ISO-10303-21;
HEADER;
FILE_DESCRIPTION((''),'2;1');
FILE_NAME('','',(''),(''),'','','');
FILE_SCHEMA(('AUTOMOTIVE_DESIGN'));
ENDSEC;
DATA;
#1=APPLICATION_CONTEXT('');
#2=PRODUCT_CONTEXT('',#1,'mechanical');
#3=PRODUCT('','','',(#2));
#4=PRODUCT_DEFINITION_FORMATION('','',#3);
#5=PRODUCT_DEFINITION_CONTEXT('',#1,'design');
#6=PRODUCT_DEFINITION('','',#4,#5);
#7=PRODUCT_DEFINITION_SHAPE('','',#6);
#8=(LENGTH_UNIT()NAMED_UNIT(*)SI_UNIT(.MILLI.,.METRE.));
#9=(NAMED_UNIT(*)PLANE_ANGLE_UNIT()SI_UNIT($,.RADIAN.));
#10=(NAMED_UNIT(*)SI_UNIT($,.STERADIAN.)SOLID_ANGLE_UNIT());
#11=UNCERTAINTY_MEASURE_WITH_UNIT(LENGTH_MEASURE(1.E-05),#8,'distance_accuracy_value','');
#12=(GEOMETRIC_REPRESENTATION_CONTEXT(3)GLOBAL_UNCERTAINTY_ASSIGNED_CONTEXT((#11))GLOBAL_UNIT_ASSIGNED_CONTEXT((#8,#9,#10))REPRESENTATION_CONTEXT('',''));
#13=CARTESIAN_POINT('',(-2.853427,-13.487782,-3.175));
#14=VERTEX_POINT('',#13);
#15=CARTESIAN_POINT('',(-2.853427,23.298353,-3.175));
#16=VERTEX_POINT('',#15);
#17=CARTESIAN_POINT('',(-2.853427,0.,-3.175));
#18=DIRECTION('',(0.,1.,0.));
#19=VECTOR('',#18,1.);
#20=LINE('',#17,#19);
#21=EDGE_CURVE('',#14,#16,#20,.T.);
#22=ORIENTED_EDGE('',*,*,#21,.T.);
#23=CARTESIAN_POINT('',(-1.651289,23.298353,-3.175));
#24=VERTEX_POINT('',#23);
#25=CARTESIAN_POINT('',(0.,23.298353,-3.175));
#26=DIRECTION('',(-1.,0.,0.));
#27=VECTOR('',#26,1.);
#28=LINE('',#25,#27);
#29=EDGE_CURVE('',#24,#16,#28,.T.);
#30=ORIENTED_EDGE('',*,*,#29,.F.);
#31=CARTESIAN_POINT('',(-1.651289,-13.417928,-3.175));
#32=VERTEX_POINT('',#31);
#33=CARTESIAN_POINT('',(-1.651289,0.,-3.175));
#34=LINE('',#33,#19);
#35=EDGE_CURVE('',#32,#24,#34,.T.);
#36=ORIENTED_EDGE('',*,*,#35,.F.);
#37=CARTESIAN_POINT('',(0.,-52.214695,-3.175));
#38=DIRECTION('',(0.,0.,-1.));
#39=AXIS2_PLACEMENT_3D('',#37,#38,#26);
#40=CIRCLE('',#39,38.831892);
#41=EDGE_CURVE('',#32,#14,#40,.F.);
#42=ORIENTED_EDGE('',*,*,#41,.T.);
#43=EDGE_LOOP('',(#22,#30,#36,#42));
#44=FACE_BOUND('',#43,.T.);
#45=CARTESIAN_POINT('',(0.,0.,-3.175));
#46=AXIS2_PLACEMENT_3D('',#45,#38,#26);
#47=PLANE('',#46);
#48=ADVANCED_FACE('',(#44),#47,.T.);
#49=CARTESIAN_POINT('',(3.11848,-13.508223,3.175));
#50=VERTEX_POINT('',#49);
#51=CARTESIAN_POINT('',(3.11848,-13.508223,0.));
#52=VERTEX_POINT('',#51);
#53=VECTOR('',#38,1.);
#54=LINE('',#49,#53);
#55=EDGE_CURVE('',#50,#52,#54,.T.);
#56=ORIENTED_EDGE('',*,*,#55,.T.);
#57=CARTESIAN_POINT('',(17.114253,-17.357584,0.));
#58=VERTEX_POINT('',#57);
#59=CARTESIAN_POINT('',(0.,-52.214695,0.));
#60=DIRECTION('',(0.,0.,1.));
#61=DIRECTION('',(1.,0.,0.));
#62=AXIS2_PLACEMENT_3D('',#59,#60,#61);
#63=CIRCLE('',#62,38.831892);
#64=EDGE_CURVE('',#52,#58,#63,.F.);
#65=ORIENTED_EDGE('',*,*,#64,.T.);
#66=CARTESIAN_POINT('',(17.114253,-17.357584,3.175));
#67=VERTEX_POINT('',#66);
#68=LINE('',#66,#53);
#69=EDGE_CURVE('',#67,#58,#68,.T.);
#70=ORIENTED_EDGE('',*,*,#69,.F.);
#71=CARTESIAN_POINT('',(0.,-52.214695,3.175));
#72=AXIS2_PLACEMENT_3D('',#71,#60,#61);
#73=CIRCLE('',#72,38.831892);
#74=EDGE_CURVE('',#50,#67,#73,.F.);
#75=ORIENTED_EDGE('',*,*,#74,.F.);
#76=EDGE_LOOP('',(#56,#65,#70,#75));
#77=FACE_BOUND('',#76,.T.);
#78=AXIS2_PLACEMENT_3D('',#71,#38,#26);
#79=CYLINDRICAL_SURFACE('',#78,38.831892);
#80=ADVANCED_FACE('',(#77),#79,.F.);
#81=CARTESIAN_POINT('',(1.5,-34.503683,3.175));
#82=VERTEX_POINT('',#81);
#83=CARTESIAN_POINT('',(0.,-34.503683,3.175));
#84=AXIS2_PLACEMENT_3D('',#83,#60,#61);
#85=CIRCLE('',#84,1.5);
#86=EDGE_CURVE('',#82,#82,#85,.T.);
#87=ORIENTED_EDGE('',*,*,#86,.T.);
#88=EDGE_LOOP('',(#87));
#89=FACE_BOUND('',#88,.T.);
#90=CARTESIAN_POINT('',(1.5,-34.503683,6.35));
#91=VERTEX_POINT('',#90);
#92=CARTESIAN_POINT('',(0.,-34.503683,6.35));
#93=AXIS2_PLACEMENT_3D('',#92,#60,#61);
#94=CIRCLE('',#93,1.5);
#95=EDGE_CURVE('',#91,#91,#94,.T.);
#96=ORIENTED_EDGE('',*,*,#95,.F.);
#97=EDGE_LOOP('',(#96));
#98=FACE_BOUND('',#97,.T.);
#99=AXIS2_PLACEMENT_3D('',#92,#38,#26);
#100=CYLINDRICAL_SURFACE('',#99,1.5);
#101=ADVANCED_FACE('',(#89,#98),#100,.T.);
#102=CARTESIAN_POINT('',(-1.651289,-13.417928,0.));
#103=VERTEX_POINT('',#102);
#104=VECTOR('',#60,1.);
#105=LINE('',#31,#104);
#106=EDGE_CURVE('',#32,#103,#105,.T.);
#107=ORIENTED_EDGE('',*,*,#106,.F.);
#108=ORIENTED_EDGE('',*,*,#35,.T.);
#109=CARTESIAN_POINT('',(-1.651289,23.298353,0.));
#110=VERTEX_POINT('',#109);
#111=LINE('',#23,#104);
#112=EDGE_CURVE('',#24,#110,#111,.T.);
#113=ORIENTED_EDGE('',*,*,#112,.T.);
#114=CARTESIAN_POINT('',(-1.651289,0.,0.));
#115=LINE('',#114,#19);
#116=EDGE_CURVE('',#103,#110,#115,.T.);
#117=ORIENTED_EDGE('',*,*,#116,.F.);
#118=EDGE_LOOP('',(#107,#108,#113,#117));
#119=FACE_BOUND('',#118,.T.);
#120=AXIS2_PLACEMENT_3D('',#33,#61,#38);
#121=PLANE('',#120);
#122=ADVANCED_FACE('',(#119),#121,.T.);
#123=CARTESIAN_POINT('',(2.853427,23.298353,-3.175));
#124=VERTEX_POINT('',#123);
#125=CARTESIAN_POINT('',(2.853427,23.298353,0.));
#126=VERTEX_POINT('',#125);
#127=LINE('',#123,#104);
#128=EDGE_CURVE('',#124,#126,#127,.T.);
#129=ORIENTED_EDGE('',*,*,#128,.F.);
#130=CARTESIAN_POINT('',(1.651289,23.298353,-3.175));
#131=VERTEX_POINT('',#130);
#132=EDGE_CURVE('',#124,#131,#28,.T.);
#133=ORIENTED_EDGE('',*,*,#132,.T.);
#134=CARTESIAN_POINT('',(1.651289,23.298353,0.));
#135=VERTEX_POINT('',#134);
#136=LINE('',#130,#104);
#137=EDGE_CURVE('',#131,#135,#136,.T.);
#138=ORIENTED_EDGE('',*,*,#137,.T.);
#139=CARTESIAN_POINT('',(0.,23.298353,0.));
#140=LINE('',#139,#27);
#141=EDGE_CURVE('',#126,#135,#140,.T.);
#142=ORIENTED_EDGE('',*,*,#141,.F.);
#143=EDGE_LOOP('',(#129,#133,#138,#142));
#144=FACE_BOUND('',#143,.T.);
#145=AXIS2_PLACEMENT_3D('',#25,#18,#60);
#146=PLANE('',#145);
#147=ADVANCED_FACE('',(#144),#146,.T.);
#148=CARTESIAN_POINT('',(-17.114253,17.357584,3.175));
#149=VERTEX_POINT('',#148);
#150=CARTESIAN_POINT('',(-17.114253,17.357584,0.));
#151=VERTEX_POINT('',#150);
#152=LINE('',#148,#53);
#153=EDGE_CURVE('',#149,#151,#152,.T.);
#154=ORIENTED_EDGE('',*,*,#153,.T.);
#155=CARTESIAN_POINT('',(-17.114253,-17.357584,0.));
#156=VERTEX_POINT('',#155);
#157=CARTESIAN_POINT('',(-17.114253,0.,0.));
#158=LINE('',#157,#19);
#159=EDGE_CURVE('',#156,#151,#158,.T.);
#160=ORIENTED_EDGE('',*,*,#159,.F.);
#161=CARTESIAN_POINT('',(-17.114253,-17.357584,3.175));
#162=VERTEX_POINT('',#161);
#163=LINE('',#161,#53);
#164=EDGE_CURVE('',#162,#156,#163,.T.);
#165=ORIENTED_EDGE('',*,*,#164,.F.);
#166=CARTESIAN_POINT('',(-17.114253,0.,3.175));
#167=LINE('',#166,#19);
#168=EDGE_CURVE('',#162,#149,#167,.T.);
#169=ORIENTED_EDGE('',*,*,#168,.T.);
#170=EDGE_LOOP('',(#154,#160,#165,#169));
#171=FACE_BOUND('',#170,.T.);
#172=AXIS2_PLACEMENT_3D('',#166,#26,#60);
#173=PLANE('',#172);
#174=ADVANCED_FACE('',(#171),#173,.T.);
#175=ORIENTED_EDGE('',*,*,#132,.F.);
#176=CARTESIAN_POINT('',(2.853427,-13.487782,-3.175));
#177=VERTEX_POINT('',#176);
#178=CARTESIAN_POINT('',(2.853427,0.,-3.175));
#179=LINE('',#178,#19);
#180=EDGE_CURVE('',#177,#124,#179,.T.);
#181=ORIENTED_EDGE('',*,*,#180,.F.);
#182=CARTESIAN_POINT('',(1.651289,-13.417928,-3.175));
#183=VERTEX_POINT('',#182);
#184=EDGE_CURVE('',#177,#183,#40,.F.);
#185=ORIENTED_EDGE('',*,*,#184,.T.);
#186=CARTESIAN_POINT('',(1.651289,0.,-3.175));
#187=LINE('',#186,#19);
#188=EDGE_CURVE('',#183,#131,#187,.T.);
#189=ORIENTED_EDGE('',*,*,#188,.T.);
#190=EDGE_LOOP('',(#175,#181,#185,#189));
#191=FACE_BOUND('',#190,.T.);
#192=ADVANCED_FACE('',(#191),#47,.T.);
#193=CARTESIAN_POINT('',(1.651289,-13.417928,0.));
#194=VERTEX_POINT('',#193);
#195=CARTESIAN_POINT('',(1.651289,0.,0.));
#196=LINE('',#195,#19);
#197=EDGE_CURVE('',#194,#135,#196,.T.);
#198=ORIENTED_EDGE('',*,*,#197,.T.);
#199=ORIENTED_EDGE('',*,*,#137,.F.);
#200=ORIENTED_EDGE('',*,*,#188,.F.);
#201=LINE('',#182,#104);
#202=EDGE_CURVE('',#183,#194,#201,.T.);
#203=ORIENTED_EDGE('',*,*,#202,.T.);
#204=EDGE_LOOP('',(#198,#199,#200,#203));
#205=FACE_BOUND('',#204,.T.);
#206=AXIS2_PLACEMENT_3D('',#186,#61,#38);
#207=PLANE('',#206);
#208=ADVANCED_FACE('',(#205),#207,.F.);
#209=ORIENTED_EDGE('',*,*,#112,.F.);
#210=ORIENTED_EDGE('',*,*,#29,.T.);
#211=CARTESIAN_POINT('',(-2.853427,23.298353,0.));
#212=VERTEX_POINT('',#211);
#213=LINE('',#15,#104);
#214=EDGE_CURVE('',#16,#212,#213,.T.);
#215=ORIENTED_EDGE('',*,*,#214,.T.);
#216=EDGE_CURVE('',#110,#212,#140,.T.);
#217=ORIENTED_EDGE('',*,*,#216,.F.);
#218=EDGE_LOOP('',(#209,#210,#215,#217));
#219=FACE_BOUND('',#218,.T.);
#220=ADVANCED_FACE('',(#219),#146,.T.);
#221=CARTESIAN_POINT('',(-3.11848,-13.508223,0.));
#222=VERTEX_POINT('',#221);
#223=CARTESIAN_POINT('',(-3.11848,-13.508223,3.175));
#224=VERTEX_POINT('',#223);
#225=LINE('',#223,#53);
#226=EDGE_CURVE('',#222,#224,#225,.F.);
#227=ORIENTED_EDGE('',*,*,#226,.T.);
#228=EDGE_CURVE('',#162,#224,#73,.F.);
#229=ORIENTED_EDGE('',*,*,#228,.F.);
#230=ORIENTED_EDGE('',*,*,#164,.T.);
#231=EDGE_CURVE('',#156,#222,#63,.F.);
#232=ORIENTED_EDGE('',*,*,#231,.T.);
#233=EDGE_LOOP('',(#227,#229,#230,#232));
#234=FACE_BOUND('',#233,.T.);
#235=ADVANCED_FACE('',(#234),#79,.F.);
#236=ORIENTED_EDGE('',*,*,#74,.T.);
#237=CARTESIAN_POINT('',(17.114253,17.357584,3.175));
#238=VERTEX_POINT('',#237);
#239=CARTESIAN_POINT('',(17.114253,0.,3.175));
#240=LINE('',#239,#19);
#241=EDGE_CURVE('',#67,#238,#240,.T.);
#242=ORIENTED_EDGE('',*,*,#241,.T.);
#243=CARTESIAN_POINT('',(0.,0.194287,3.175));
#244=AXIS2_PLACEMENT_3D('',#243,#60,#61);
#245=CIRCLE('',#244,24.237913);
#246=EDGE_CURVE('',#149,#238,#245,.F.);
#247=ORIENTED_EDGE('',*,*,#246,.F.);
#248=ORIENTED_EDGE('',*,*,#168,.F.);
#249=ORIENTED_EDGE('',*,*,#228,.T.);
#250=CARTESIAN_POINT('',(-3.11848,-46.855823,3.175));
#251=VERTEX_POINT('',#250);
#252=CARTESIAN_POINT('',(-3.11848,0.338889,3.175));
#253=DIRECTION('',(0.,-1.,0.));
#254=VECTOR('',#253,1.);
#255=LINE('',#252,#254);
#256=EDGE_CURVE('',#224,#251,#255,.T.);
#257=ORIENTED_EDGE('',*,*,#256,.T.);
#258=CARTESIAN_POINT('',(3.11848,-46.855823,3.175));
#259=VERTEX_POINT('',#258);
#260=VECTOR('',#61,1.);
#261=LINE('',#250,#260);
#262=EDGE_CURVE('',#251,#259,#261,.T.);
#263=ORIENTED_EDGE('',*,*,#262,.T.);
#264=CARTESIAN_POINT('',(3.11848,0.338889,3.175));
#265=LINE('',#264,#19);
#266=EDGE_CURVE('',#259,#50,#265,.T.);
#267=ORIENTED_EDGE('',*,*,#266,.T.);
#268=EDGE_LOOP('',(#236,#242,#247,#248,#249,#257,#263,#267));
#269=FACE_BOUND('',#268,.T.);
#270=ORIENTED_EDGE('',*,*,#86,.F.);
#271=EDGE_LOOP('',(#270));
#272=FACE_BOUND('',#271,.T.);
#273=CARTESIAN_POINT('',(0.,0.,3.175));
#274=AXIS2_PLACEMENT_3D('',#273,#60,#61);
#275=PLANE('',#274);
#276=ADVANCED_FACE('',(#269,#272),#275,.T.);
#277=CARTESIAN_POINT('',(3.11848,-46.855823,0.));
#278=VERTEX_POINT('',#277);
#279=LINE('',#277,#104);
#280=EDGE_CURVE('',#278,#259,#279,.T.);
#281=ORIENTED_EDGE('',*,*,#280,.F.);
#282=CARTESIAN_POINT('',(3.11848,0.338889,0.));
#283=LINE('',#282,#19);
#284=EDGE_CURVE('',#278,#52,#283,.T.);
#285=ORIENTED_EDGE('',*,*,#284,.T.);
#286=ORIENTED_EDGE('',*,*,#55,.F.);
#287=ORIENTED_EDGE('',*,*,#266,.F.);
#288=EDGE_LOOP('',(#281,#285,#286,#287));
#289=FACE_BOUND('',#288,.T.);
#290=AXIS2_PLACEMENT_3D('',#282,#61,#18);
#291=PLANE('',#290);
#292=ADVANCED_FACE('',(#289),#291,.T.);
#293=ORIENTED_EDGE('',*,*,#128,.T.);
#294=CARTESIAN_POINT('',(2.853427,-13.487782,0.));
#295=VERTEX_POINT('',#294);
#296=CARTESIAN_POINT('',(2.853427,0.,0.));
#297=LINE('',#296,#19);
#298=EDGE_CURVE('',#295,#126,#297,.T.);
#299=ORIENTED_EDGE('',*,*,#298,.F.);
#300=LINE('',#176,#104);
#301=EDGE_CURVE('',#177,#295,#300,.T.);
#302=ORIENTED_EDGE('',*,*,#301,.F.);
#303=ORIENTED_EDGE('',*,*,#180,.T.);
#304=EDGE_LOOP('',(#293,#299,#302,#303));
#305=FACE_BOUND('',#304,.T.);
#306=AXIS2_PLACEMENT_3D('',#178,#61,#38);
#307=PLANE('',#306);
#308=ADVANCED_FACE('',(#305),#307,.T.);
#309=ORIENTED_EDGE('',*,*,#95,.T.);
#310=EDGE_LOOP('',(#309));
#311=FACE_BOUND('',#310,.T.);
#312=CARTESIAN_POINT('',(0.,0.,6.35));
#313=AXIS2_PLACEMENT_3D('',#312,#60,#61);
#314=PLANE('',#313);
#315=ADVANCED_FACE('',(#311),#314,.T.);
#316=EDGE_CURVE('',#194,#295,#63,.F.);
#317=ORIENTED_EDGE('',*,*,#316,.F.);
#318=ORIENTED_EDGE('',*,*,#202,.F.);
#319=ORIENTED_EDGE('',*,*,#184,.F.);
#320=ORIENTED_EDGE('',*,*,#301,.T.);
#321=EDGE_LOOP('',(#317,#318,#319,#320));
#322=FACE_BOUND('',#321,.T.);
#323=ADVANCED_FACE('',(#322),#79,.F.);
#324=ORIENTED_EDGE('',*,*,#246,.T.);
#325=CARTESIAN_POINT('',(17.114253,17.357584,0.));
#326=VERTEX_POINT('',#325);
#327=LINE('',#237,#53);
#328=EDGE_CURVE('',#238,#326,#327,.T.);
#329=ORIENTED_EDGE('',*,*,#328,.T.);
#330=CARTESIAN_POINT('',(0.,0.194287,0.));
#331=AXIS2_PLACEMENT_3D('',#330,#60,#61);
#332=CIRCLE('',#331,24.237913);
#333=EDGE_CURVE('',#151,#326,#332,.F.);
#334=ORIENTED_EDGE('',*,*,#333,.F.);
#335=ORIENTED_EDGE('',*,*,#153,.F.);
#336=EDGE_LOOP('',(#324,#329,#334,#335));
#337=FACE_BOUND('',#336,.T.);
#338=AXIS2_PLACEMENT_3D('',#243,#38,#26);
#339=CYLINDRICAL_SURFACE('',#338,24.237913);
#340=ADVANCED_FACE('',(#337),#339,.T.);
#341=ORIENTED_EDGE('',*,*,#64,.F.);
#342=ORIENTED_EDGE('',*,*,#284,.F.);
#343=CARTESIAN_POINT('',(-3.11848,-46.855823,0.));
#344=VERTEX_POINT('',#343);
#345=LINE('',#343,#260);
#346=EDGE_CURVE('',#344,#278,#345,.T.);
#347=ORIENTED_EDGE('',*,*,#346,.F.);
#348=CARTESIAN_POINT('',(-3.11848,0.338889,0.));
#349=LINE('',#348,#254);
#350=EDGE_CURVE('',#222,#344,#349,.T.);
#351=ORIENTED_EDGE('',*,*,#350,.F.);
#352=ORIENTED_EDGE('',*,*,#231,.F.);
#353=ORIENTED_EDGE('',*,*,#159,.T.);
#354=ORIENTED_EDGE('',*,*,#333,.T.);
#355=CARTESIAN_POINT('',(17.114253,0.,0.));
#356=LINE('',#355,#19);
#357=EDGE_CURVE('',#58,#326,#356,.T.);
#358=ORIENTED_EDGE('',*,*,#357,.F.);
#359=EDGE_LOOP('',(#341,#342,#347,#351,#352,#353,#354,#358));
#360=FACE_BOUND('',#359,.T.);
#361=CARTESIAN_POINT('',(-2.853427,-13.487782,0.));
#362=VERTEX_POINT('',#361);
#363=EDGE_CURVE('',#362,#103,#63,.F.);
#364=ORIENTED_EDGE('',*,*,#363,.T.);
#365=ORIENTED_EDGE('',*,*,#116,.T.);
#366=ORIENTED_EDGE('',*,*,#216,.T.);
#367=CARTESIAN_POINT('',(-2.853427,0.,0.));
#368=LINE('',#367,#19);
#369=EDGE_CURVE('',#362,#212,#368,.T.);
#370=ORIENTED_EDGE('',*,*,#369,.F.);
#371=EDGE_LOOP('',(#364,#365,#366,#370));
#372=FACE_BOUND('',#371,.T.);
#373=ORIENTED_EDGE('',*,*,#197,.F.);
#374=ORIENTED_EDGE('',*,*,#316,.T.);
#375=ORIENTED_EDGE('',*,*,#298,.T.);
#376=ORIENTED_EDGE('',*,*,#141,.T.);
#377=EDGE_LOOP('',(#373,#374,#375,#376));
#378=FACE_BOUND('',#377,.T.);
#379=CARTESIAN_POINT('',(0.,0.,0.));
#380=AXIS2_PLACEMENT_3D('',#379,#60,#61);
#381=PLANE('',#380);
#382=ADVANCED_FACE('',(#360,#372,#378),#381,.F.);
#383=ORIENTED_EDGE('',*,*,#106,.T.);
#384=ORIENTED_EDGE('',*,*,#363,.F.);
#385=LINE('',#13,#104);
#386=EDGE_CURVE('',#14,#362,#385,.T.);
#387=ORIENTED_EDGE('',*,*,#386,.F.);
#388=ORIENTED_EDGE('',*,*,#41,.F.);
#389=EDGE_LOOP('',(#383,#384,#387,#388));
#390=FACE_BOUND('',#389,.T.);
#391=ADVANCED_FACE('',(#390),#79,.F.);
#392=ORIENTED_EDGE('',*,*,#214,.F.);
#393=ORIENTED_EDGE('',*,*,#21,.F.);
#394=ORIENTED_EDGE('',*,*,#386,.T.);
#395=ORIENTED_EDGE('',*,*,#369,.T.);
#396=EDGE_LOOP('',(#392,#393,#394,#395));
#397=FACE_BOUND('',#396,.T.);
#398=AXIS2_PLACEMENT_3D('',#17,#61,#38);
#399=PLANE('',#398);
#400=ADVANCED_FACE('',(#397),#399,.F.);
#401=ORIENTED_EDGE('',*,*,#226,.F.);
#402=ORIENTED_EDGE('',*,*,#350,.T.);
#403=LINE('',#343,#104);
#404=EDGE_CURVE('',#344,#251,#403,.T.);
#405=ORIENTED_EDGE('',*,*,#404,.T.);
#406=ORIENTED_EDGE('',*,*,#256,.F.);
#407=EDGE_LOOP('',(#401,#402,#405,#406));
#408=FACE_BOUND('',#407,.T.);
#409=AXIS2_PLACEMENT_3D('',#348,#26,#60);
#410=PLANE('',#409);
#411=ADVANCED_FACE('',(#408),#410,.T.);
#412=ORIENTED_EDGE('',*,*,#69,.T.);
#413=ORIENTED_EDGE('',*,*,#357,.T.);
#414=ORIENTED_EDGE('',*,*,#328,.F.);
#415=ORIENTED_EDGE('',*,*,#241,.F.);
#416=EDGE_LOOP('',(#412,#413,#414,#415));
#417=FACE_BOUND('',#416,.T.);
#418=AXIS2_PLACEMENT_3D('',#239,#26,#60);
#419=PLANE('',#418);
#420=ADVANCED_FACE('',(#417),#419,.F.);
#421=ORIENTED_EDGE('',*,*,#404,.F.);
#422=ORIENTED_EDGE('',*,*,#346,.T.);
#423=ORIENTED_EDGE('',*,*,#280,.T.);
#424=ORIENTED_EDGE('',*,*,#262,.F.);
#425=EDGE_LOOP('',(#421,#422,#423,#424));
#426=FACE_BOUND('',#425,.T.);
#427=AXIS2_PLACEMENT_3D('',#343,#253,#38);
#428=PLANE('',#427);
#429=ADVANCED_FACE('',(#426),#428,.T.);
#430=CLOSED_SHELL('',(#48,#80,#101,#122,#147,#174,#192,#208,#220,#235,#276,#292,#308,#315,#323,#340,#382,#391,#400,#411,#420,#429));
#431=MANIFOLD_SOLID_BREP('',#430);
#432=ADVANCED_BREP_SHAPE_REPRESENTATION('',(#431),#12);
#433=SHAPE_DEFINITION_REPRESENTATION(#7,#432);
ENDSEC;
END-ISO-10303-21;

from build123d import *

# Parameters (mm, degrees)
BOSS_EXTRUDE1_DEPTH = 3.175
BOSS_EXTRUDE2_DEPTH = 3.175
SKETCH3_W           = 6.236959702
SKETCH3_H           = 47.194711522
BOSS_EXTRUDE3_DEPTH = 3.175
SKETCH4_R           = 1.5
BOSS_EXTRUDE4_DEPTH = 3.175


with BuildPart() as part:
    # Sketch1 → Boss-Extrude1 (new body)
    with BuildSketch(Plane.XY):
        with BuildLine():
            Line((-17.114253333, -17.357583949), (-17.114253333, 17.357583949))
            ThreePointArc((-17.114253333, 17.357583949), (0, 24.432200125), (17.114253333, 17.357583949))
            Line((17.114253333, 17.357583949), (17.114253333, -17.357583949))
            ThreePointArc((17.114253333, -17.357583949), (0, -13.382802691), (-17.114253333, -17.357583949))
        make_face()
    extrude(amount=BOSS_EXTRUDE1_DEPTH)

    # Sketch2 → Boss-Extrude2 (add)
    with BuildSketch(Plane(origin=(0, 0, 0), x_dir=(-1, 0, 0), z_dir=(0, 0, -1))):
        with BuildLine():
            Line((-1.65128862, -13.417928303), (-1.65128862, 22.268343179))
            Line((-1.65128862, 22.268343179), (-1.65128862, 23.29835294))
            Line((-1.65128862, 23.29835294), (-2.853426735, 23.29835294))
            Line((-2.853426735, 23.29835294), (-2.853426735, -13.48778167))
            ThreePointArc((-2.853426735, -13.48778167), (-2.25262846, -13.448194961), (-1.65128862, -13.417928303))
        make_face()
        with BuildLine():
            Line((1.65128862, 23.29835294), (1.65128862, 22.268343179))
            Line((1.65128862, 22.268343179), (1.65128862, -13.417928303))
            ThreePointArc((1.65128862, -13.417928303), (2.25262846, -13.448194961), (2.853426735, -13.48778167))
            Line((2.853426735, -13.48778167), (2.853426735, 23.29835294))
            Line((2.853426735, 23.29835294), (1.65128862, 23.29835294))
        make_face()
    extrude(amount=BOSS_EXTRUDE2_DEPTH)

    # Sketch3 → Boss-Extrude3 (add)
    with BuildSketch(Plane.XY.offset(3.175)):
        with Locations((0, -23.258467244)):
            Rectangle(SKETCH3_W, SKETCH3_H)
    extrude(amount=-BOSS_EXTRUDE3_DEPTH)

    # Sketch4 → Boss-Extrude4 (add)
    with BuildSketch(Plane.XY.offset(3.175)):
        with Locations((0, -34.503683415)):
            Circle(SKETCH4_R)
    extrude(amount=BOSS_EXTRUDE4_DEPTH)


solid = part.part
